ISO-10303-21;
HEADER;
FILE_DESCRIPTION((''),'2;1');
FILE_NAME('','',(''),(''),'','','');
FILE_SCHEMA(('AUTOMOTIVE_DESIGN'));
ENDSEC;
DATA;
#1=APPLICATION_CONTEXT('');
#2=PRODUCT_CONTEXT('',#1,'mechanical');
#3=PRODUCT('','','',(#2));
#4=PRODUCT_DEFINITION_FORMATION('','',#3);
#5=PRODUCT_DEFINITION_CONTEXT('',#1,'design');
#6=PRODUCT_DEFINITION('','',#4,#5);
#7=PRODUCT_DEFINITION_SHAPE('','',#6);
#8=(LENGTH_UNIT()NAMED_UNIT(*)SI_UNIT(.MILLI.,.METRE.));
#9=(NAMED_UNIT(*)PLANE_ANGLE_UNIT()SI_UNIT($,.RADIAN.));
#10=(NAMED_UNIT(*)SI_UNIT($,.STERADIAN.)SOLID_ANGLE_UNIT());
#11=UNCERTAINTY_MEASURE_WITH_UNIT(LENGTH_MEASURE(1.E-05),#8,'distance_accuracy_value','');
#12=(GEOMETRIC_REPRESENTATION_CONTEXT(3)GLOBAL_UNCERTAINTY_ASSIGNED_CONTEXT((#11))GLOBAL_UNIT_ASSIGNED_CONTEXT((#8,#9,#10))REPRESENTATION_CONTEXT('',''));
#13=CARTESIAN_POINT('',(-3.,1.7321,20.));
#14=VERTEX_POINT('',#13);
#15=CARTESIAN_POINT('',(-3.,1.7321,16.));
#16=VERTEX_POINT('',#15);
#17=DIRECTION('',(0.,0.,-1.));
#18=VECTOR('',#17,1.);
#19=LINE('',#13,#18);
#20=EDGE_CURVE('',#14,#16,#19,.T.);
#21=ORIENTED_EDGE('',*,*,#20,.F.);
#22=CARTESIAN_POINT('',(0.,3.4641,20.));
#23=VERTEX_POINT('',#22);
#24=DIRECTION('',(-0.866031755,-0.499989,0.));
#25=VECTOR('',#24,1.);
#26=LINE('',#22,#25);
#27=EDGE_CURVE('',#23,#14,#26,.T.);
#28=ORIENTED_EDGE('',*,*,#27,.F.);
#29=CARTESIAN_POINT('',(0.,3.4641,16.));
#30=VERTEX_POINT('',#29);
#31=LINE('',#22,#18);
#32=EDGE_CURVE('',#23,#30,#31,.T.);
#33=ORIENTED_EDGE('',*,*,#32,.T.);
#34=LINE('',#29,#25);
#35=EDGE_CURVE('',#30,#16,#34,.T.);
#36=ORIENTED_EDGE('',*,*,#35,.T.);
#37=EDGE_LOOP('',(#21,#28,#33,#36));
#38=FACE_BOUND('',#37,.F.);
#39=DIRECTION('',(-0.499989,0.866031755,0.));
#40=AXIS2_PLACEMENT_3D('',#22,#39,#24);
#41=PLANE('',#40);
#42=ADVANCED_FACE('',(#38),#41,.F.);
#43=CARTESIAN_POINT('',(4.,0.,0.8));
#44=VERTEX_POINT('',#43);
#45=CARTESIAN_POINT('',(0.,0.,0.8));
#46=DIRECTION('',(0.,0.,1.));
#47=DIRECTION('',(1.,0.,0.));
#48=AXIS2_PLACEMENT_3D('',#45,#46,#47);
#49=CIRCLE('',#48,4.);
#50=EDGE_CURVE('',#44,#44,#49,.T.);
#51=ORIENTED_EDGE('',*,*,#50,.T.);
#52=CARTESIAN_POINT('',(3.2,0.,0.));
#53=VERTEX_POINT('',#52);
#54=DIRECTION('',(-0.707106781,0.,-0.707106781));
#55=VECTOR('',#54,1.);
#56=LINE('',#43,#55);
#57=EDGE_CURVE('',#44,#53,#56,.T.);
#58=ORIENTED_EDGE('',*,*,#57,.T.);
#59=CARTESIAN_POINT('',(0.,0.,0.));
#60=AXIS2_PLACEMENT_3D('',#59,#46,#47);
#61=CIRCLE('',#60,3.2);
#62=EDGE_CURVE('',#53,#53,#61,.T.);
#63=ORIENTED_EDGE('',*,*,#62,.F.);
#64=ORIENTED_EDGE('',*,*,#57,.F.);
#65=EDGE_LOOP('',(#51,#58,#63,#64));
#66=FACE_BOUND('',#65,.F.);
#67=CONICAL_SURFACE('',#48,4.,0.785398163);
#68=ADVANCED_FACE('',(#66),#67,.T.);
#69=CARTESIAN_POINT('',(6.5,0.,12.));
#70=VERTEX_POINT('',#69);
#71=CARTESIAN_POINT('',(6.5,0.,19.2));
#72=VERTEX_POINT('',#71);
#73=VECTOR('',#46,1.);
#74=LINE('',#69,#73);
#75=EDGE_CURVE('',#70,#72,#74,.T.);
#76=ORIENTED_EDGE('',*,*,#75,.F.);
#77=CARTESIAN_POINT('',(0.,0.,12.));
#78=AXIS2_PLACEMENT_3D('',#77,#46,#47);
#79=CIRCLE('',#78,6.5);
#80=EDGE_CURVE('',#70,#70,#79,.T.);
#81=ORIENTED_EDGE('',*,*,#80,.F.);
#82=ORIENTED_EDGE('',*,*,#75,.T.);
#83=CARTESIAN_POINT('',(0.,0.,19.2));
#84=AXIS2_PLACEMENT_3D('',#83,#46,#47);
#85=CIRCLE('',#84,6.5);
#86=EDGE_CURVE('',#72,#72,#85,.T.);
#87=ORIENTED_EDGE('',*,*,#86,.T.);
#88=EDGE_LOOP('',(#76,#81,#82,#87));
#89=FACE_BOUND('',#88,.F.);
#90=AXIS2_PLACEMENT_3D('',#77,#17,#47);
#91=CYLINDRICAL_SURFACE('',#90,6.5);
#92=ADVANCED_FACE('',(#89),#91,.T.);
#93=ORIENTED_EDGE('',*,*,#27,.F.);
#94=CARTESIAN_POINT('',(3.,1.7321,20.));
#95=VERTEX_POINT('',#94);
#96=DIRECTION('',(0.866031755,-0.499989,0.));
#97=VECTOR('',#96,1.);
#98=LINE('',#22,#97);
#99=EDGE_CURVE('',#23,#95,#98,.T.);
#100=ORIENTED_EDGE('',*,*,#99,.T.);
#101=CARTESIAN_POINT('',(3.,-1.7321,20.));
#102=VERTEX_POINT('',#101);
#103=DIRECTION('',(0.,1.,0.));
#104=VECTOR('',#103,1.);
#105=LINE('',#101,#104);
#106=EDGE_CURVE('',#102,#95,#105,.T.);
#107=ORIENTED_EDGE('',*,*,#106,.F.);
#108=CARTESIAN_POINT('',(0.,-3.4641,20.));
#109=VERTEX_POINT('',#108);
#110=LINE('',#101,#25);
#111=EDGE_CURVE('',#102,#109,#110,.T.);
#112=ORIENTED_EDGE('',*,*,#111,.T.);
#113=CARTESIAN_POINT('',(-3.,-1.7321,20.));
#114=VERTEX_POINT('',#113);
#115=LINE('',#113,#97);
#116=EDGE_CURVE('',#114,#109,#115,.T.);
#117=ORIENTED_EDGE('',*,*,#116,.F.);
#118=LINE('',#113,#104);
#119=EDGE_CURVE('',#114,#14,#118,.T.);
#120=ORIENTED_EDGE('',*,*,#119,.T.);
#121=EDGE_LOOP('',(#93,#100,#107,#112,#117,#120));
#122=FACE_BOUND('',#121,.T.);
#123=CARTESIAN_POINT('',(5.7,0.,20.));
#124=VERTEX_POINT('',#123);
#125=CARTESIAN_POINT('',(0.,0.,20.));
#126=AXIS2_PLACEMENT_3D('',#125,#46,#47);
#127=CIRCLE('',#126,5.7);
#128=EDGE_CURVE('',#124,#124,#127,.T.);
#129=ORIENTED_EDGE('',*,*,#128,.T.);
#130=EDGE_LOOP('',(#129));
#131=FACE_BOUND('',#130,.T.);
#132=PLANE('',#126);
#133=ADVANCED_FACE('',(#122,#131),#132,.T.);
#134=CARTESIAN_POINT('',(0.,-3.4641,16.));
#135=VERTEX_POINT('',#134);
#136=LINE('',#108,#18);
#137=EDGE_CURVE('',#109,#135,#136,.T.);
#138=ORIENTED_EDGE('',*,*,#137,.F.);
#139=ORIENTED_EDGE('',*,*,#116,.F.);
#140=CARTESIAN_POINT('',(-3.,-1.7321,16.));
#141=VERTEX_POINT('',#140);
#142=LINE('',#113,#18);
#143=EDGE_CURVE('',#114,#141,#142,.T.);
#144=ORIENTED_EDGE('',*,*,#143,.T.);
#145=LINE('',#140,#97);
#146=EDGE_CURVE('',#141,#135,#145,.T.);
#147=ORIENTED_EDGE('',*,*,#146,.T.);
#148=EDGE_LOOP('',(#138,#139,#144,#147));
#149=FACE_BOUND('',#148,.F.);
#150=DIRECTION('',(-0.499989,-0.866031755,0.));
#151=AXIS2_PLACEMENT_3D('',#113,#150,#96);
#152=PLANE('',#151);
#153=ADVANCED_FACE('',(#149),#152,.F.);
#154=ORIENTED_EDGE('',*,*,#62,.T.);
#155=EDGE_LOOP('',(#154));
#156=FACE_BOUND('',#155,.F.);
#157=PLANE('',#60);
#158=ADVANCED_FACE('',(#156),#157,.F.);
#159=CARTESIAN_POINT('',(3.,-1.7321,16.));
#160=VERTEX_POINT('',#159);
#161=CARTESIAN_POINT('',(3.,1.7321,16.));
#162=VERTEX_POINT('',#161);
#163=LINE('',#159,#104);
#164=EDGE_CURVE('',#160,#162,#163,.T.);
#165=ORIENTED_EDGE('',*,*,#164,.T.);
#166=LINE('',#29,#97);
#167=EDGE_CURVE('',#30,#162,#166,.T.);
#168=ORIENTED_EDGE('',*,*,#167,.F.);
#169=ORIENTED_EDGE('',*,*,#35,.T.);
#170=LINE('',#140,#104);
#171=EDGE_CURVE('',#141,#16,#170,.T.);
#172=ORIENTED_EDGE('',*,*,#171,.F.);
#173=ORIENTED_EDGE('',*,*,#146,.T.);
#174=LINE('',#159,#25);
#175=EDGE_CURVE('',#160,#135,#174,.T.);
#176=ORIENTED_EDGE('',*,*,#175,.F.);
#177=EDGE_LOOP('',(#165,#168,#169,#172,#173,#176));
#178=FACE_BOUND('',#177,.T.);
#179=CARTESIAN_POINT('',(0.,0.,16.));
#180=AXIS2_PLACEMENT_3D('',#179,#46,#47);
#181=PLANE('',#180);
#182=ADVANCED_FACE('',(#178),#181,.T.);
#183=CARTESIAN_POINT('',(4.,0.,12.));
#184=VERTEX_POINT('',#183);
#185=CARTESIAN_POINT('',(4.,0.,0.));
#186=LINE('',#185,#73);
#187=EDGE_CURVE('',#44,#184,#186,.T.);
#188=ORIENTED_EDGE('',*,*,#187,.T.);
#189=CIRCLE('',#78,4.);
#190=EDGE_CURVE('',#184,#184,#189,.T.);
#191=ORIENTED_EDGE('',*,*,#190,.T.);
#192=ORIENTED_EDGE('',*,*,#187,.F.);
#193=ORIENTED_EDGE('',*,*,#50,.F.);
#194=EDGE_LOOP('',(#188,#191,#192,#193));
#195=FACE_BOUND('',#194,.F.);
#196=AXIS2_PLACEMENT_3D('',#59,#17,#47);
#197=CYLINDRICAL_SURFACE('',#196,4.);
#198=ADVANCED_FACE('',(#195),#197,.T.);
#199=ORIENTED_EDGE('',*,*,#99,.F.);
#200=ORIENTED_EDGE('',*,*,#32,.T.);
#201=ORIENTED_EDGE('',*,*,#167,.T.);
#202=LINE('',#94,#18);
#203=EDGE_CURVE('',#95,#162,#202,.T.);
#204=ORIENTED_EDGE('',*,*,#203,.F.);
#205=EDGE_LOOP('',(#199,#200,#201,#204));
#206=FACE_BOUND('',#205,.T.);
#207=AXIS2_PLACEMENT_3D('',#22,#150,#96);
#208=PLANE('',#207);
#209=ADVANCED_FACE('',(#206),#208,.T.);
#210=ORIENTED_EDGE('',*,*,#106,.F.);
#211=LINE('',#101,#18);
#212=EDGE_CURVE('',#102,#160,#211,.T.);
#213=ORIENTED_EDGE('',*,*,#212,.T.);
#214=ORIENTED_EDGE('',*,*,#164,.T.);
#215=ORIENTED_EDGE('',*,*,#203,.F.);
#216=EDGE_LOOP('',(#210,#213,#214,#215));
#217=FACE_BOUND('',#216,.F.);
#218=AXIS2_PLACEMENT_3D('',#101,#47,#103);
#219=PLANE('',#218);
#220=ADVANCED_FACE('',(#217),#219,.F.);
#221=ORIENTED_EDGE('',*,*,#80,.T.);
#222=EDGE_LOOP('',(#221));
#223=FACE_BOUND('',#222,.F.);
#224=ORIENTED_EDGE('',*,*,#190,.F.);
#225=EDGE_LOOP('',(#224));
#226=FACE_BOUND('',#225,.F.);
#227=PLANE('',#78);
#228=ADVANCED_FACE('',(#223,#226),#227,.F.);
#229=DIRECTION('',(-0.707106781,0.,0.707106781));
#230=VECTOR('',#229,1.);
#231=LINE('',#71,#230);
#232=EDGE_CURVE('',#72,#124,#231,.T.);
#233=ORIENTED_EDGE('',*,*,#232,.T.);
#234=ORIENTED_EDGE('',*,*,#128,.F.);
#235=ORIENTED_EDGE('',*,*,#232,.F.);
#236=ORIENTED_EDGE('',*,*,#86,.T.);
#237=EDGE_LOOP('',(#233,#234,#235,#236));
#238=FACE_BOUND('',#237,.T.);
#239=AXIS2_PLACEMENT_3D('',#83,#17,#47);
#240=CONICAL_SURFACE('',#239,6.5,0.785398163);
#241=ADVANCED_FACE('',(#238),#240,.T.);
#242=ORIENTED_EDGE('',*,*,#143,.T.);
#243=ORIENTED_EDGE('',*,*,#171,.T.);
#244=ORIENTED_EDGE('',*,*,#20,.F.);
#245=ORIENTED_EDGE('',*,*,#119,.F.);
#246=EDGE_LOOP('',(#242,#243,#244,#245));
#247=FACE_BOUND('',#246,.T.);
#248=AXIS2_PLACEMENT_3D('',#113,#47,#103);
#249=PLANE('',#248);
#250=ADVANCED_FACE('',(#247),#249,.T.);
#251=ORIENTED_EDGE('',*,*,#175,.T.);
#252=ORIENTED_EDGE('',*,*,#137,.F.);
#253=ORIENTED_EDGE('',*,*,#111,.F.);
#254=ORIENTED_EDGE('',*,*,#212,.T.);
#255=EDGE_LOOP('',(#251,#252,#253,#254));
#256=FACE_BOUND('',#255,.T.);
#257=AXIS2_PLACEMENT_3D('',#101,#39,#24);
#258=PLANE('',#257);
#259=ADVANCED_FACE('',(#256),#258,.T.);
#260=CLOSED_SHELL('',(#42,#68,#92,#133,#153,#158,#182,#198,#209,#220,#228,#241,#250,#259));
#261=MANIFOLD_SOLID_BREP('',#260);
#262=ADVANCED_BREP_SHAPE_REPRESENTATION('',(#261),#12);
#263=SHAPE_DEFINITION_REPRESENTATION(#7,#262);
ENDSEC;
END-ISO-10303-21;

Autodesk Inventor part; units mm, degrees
ref_plane "YZ Plane" through (0, 0, 0) normal (1, 0, 0) x (0, 1, 0)
ref_plane "XZ Plane" through (0, 0, 0) normal (0, 1, 0) x (-1, 0, 0)
ref_plane "XY Plane" through (0, 0, 0) normal (0, 0, 1) x (1, 0, 0)
sketch "Sketch1" plane through (0, 0, 0) normal (0, 0, 1) x (1, 0, 0)
  circle A0 centre (0, 0) radius 4
  dimension "Diameter" = 8
extrude "Extrusion1" add sketch "Sketch1" along normal blind 12
sketch "Sketch2" plane through (0, 0, 12) normal (0, 0, 1) x (1, 0, 0)
  circle A0 centre (0, 0) radius 4 projected
  circle A1 centre (0, 0) radius 6.5
  dimension "Head_Diameter" = 13
extrude "Extrusion2" add sketch "Sketch2" along normal blind 8 contours A0 | A1
sketch "Sketch3" plane through (0, 0, 20) normal (0, 0, 1) x (1, 0, 0)
  circle A0 centre (0, 0) radius 6.5 projected
  circle A1 centre (0, 0) radius 3.4641 construction
  line L0 (0, 3.4641) -> (3, 1.7321)
  line L1 (3, -1.7321) -> (3, 1.7321)
  line L2 (0, 3.4641) -> (-3, 1.7321)
  line L3 (-3, -1.7321) -> (-3, 1.7321)
  line L4 (-3, -1.7321) -> (0, -3.4641)
  line L5 (3, -1.7321) -> (0, -3.4641)
  dimension "Hex_Width" = 6
extrude "Extrusion3" cut sketch "Sketch3" against normal blind 4 contours L0 L1 L5 L4 L3 L2
thread "Thread1" size "M8x1.25" class "4g6g" standard "ANSI Metric M Profile" length 12
chamfer "Chamfer1" distance 0.8 angle 45 2 edges at (-6.5, 0, 20) (-4, 0, 0)
equation "\"d9\" = ThreadLength"
equation "\"d12\" = Chamfer"
equation "\"ThreadLength\" = 12"
equation "\"Chamfer\" = 0.8"
properties part number "SCREW, SOCKET HD, P, 12.9, M8X1.25X12MM" material "Steel, MS"
